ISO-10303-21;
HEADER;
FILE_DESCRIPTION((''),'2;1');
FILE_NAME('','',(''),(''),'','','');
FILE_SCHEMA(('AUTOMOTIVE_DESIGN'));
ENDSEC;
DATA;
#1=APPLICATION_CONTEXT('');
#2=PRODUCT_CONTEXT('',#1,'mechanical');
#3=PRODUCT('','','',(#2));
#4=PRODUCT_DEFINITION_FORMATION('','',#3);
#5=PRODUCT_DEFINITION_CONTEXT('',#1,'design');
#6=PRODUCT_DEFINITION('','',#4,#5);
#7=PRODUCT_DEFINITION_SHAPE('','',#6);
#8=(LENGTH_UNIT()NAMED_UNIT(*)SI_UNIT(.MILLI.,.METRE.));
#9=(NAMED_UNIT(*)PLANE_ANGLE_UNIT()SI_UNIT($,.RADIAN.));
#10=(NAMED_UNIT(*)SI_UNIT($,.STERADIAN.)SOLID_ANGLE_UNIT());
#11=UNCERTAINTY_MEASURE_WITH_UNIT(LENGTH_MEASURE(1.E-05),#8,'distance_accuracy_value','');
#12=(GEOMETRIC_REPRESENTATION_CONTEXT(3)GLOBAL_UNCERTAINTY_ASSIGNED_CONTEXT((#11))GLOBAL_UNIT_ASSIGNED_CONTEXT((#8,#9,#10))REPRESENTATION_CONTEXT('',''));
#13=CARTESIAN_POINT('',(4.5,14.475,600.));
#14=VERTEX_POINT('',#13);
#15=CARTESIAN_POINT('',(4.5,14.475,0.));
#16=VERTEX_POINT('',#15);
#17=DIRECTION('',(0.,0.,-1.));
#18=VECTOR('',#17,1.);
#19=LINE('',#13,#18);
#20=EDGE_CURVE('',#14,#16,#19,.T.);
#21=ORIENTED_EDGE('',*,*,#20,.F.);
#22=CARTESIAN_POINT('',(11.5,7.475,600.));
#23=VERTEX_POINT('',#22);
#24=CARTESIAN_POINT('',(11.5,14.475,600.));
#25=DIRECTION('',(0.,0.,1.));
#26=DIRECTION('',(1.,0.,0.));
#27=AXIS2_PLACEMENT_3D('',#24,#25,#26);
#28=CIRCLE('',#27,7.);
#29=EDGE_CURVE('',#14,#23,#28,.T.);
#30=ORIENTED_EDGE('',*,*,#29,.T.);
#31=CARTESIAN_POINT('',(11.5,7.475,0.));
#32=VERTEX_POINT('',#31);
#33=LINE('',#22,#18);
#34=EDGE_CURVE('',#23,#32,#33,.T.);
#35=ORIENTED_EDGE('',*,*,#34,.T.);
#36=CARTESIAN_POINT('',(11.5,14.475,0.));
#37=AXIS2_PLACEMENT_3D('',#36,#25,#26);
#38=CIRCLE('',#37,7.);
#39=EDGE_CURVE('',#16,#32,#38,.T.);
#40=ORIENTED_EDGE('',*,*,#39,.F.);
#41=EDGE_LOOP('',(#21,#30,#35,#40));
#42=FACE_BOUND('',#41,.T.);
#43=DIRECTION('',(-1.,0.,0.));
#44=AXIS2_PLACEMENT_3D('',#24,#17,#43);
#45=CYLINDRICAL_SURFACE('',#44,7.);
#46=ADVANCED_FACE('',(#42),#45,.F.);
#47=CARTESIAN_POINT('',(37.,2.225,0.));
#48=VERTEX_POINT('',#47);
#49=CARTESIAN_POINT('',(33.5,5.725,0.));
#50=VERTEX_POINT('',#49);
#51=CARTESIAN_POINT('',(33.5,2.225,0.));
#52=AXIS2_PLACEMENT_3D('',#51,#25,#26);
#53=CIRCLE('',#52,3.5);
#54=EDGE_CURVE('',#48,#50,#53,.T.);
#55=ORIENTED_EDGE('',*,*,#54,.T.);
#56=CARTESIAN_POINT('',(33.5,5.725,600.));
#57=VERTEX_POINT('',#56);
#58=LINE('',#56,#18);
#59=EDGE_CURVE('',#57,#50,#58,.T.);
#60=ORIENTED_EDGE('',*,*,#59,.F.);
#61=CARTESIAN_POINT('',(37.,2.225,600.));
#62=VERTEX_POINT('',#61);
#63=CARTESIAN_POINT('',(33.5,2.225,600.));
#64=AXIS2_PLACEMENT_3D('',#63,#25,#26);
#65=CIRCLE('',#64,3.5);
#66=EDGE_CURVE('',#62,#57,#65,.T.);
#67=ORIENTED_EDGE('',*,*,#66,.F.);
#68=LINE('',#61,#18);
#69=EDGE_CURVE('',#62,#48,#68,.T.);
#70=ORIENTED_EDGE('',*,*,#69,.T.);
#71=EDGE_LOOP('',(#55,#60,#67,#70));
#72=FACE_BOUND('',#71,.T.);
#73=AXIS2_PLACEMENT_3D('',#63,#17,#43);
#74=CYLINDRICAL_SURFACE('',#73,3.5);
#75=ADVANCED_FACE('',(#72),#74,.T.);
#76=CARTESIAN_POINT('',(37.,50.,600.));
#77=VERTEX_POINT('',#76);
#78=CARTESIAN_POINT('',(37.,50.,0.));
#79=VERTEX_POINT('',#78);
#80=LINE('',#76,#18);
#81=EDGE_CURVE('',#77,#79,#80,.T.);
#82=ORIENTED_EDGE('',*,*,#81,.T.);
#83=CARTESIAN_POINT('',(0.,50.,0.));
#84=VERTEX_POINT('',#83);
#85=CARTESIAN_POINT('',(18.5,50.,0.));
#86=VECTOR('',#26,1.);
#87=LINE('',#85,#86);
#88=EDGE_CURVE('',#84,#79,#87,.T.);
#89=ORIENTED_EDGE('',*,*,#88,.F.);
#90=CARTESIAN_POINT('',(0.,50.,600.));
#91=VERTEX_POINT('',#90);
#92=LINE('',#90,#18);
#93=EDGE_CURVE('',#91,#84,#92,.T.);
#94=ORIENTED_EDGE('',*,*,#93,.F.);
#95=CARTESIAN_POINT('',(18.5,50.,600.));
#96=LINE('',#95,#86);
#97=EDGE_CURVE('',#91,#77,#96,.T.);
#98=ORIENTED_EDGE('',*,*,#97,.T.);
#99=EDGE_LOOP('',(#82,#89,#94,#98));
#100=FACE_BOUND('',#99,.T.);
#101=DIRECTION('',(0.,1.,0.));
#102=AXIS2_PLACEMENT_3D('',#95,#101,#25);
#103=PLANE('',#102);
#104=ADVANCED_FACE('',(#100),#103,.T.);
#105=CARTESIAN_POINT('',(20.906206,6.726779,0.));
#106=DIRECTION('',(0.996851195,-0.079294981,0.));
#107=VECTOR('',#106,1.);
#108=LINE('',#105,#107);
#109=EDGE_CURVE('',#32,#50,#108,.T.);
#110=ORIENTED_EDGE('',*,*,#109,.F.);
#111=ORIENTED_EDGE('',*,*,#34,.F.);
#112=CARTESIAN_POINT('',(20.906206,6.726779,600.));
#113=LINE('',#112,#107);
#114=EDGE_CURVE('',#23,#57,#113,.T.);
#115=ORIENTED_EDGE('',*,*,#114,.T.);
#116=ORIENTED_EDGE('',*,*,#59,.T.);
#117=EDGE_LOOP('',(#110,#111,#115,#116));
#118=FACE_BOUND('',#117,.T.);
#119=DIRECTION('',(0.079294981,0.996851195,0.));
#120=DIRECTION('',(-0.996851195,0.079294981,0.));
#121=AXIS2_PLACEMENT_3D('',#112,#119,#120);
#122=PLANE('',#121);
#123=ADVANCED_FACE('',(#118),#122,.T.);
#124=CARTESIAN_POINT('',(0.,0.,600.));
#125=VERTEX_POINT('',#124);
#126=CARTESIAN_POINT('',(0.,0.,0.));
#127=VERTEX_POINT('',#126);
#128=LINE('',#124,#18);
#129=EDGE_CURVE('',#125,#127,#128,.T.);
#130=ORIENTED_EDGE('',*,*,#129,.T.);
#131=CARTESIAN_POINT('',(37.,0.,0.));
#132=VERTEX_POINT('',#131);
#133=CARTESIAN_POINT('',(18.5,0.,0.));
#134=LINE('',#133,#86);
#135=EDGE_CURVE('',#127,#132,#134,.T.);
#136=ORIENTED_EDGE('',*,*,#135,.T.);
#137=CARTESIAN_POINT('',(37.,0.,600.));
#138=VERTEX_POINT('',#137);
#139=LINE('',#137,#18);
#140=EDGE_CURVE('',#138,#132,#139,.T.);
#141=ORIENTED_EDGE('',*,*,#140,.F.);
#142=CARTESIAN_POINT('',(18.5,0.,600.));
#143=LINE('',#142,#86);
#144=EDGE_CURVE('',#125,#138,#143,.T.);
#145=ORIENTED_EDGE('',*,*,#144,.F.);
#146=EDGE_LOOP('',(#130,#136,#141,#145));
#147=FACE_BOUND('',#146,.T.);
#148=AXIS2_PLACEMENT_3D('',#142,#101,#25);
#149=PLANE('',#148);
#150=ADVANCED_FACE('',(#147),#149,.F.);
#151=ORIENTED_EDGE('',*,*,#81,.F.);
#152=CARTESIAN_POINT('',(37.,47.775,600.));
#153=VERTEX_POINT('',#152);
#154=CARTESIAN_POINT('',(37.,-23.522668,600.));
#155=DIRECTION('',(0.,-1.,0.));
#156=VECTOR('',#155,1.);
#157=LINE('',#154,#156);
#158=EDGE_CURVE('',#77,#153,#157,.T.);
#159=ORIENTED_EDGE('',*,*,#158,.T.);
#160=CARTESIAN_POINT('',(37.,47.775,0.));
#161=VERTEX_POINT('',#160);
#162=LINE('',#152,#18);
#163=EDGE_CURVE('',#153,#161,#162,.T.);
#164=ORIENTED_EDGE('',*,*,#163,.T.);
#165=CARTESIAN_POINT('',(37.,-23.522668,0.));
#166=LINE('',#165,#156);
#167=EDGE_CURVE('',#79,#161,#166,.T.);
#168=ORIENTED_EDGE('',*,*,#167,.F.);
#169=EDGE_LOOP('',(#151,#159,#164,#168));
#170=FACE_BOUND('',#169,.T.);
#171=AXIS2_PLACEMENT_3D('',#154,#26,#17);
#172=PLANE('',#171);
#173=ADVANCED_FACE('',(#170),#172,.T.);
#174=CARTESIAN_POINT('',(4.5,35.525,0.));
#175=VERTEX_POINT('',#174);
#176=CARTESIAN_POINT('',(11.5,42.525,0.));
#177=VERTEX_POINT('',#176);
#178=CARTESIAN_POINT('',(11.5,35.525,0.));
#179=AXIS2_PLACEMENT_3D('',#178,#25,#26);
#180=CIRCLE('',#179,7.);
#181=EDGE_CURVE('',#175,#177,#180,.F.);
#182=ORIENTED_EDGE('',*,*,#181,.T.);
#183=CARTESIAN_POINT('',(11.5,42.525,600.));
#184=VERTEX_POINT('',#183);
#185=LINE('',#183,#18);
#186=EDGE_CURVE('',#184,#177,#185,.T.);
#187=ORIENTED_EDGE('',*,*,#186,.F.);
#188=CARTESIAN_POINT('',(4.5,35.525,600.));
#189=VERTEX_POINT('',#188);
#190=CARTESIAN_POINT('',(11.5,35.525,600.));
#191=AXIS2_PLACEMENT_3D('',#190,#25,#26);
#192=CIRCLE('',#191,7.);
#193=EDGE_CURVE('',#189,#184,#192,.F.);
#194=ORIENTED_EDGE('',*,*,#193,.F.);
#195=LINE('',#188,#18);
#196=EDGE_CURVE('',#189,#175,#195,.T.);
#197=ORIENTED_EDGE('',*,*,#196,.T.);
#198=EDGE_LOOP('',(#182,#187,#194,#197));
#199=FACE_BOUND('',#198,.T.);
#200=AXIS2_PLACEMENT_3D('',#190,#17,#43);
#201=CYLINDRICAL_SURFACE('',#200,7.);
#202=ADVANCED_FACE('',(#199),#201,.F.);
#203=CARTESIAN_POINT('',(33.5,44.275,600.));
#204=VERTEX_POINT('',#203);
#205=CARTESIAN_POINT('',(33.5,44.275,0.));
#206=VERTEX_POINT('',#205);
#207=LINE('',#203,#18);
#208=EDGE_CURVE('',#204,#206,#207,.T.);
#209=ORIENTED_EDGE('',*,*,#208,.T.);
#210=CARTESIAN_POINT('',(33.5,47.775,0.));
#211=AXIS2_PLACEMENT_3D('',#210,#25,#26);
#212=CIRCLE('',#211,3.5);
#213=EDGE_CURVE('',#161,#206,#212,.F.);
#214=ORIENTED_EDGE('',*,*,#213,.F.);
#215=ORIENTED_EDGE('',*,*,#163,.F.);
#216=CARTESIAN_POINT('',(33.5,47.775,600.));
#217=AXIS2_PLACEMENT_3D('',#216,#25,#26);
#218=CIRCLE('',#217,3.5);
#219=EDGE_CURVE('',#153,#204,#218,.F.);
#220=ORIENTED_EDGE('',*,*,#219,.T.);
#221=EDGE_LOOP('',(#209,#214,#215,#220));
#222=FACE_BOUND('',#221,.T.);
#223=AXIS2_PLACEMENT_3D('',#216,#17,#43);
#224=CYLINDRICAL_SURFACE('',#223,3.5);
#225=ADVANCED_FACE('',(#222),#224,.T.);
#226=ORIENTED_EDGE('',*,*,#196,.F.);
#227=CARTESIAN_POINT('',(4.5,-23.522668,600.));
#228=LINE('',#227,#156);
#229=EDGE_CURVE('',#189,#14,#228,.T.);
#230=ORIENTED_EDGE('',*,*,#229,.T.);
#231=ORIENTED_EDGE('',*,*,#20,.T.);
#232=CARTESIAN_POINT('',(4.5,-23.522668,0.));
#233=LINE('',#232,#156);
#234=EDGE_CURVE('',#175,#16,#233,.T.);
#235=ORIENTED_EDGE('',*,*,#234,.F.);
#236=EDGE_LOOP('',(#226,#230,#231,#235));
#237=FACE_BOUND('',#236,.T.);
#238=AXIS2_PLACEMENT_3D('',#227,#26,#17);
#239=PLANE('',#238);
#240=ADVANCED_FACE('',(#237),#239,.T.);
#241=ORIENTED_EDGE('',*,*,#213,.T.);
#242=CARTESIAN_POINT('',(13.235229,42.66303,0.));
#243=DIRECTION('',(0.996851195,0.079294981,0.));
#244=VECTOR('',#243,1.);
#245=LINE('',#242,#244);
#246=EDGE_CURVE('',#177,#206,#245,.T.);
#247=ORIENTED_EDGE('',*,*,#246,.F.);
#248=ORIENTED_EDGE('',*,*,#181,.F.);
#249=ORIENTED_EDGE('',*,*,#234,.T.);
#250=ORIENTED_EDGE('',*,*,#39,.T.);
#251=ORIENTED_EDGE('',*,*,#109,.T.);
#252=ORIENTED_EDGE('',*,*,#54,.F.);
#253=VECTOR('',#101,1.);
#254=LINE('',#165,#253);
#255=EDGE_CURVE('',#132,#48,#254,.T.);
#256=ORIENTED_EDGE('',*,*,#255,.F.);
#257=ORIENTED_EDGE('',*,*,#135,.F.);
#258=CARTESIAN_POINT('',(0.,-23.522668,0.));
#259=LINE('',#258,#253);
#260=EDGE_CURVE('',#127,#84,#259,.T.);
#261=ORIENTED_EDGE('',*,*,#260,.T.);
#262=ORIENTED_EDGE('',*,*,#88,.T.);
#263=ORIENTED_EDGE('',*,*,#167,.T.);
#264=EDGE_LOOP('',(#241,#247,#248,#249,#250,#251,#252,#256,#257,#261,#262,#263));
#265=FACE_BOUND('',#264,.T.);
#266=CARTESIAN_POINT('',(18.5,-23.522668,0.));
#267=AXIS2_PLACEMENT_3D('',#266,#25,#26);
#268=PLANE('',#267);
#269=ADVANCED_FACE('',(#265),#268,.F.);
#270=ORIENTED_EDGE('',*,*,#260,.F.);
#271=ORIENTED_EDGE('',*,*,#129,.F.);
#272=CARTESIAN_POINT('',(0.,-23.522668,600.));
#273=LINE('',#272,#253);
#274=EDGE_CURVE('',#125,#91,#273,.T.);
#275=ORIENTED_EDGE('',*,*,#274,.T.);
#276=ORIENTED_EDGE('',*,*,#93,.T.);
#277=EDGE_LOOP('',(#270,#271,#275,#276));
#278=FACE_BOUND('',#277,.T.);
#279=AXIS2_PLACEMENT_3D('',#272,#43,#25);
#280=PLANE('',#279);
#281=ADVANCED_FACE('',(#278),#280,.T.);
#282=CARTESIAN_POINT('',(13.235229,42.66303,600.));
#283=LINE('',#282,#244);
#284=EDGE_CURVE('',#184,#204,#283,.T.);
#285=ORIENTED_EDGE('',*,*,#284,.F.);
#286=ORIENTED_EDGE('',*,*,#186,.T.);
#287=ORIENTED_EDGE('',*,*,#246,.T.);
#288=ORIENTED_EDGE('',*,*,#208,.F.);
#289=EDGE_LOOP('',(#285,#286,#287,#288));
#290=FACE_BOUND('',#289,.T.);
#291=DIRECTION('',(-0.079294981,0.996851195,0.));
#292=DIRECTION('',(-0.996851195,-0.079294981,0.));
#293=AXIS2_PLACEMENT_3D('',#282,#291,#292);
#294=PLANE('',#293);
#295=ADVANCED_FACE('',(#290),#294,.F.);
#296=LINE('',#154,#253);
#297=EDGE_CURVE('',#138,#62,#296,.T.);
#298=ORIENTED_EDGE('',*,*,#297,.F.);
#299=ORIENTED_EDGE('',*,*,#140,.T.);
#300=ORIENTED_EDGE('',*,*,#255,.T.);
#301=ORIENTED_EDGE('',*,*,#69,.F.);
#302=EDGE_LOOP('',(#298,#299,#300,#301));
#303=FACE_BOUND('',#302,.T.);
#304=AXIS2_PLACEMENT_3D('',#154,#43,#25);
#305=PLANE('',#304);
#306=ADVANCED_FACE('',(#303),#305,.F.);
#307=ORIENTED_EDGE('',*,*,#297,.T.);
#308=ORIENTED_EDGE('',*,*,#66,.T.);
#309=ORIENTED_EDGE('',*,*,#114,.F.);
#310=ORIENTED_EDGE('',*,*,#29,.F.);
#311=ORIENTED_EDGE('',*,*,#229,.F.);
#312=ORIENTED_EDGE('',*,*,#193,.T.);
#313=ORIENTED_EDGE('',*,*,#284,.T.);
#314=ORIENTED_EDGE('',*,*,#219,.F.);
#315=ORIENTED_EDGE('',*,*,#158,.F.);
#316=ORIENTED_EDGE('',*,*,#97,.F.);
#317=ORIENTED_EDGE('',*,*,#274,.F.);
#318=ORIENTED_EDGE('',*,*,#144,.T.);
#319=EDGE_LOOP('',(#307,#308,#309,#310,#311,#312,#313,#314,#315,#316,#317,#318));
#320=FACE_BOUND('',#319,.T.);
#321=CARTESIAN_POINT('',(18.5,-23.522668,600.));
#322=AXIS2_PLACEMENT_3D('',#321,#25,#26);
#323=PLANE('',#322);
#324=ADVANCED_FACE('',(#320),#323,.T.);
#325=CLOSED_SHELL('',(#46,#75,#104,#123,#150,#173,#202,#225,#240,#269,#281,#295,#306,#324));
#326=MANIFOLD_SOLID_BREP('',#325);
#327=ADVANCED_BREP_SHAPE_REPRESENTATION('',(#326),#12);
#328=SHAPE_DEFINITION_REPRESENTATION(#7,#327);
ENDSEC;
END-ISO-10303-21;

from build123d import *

# Parameters (mm, degrees)
EXTRUDE_1_DEPTH = 600


with BuildPart() as part:
    # 草图1 → 拉伸1 (new body)
    with BuildSketch(Plane.XY):
        with BuildLine():
            Line((4.5, 35.525), (4.5, 14.475))
            ThreePointArc((4.5, 14.475), (6.550252532, 9.525252532), (11.5, 7.475))
            Line((11.5, 7.475), (33.5, 5.725))
            ThreePointArc((33.5, 5.725), (35.974873734, 4.699873734), (37, 2.225))
            Line((37, 2.225), (37, 0))
            Line((37, 0), (0, 0))
            Line((0, 0), (0, 50))
            Line((0, 50), (37, 50))
            Line((37, 50), (37, 47.775))
            ThreePointArc((37, 47.775), (35.974873734, 45.300126266), (33.5, 44.275))
            Line((33.5, 44.275), (11.5, 42.525))
            ThreePointArc((11.5, 42.525), (6.550252532, 40.474747468), (4.5, 35.525))
        make_face()
        with BuildLine():
            Line((0, 50), (0, 25))
            Line((0, 25), (4.5, 25))
            Line((4.5, 25), (4.5, 35.525))
            ThreePointArc((4.5, 35.525), (6.550252532, 40.474747468), (11.5, 42.525))
            Line((11.5, 42.525), (33.5, 44.275))
            ThreePointArc((33.5, 44.275), (35.974873734, 45.300126266), (37, 47.775))
            Line((37, 47.775), (37, 50))
            Line((37, 50), (0, 50))
        make_face()
    extrude(amount=EXTRUDE_1_DEPTH)


solid = part.part
